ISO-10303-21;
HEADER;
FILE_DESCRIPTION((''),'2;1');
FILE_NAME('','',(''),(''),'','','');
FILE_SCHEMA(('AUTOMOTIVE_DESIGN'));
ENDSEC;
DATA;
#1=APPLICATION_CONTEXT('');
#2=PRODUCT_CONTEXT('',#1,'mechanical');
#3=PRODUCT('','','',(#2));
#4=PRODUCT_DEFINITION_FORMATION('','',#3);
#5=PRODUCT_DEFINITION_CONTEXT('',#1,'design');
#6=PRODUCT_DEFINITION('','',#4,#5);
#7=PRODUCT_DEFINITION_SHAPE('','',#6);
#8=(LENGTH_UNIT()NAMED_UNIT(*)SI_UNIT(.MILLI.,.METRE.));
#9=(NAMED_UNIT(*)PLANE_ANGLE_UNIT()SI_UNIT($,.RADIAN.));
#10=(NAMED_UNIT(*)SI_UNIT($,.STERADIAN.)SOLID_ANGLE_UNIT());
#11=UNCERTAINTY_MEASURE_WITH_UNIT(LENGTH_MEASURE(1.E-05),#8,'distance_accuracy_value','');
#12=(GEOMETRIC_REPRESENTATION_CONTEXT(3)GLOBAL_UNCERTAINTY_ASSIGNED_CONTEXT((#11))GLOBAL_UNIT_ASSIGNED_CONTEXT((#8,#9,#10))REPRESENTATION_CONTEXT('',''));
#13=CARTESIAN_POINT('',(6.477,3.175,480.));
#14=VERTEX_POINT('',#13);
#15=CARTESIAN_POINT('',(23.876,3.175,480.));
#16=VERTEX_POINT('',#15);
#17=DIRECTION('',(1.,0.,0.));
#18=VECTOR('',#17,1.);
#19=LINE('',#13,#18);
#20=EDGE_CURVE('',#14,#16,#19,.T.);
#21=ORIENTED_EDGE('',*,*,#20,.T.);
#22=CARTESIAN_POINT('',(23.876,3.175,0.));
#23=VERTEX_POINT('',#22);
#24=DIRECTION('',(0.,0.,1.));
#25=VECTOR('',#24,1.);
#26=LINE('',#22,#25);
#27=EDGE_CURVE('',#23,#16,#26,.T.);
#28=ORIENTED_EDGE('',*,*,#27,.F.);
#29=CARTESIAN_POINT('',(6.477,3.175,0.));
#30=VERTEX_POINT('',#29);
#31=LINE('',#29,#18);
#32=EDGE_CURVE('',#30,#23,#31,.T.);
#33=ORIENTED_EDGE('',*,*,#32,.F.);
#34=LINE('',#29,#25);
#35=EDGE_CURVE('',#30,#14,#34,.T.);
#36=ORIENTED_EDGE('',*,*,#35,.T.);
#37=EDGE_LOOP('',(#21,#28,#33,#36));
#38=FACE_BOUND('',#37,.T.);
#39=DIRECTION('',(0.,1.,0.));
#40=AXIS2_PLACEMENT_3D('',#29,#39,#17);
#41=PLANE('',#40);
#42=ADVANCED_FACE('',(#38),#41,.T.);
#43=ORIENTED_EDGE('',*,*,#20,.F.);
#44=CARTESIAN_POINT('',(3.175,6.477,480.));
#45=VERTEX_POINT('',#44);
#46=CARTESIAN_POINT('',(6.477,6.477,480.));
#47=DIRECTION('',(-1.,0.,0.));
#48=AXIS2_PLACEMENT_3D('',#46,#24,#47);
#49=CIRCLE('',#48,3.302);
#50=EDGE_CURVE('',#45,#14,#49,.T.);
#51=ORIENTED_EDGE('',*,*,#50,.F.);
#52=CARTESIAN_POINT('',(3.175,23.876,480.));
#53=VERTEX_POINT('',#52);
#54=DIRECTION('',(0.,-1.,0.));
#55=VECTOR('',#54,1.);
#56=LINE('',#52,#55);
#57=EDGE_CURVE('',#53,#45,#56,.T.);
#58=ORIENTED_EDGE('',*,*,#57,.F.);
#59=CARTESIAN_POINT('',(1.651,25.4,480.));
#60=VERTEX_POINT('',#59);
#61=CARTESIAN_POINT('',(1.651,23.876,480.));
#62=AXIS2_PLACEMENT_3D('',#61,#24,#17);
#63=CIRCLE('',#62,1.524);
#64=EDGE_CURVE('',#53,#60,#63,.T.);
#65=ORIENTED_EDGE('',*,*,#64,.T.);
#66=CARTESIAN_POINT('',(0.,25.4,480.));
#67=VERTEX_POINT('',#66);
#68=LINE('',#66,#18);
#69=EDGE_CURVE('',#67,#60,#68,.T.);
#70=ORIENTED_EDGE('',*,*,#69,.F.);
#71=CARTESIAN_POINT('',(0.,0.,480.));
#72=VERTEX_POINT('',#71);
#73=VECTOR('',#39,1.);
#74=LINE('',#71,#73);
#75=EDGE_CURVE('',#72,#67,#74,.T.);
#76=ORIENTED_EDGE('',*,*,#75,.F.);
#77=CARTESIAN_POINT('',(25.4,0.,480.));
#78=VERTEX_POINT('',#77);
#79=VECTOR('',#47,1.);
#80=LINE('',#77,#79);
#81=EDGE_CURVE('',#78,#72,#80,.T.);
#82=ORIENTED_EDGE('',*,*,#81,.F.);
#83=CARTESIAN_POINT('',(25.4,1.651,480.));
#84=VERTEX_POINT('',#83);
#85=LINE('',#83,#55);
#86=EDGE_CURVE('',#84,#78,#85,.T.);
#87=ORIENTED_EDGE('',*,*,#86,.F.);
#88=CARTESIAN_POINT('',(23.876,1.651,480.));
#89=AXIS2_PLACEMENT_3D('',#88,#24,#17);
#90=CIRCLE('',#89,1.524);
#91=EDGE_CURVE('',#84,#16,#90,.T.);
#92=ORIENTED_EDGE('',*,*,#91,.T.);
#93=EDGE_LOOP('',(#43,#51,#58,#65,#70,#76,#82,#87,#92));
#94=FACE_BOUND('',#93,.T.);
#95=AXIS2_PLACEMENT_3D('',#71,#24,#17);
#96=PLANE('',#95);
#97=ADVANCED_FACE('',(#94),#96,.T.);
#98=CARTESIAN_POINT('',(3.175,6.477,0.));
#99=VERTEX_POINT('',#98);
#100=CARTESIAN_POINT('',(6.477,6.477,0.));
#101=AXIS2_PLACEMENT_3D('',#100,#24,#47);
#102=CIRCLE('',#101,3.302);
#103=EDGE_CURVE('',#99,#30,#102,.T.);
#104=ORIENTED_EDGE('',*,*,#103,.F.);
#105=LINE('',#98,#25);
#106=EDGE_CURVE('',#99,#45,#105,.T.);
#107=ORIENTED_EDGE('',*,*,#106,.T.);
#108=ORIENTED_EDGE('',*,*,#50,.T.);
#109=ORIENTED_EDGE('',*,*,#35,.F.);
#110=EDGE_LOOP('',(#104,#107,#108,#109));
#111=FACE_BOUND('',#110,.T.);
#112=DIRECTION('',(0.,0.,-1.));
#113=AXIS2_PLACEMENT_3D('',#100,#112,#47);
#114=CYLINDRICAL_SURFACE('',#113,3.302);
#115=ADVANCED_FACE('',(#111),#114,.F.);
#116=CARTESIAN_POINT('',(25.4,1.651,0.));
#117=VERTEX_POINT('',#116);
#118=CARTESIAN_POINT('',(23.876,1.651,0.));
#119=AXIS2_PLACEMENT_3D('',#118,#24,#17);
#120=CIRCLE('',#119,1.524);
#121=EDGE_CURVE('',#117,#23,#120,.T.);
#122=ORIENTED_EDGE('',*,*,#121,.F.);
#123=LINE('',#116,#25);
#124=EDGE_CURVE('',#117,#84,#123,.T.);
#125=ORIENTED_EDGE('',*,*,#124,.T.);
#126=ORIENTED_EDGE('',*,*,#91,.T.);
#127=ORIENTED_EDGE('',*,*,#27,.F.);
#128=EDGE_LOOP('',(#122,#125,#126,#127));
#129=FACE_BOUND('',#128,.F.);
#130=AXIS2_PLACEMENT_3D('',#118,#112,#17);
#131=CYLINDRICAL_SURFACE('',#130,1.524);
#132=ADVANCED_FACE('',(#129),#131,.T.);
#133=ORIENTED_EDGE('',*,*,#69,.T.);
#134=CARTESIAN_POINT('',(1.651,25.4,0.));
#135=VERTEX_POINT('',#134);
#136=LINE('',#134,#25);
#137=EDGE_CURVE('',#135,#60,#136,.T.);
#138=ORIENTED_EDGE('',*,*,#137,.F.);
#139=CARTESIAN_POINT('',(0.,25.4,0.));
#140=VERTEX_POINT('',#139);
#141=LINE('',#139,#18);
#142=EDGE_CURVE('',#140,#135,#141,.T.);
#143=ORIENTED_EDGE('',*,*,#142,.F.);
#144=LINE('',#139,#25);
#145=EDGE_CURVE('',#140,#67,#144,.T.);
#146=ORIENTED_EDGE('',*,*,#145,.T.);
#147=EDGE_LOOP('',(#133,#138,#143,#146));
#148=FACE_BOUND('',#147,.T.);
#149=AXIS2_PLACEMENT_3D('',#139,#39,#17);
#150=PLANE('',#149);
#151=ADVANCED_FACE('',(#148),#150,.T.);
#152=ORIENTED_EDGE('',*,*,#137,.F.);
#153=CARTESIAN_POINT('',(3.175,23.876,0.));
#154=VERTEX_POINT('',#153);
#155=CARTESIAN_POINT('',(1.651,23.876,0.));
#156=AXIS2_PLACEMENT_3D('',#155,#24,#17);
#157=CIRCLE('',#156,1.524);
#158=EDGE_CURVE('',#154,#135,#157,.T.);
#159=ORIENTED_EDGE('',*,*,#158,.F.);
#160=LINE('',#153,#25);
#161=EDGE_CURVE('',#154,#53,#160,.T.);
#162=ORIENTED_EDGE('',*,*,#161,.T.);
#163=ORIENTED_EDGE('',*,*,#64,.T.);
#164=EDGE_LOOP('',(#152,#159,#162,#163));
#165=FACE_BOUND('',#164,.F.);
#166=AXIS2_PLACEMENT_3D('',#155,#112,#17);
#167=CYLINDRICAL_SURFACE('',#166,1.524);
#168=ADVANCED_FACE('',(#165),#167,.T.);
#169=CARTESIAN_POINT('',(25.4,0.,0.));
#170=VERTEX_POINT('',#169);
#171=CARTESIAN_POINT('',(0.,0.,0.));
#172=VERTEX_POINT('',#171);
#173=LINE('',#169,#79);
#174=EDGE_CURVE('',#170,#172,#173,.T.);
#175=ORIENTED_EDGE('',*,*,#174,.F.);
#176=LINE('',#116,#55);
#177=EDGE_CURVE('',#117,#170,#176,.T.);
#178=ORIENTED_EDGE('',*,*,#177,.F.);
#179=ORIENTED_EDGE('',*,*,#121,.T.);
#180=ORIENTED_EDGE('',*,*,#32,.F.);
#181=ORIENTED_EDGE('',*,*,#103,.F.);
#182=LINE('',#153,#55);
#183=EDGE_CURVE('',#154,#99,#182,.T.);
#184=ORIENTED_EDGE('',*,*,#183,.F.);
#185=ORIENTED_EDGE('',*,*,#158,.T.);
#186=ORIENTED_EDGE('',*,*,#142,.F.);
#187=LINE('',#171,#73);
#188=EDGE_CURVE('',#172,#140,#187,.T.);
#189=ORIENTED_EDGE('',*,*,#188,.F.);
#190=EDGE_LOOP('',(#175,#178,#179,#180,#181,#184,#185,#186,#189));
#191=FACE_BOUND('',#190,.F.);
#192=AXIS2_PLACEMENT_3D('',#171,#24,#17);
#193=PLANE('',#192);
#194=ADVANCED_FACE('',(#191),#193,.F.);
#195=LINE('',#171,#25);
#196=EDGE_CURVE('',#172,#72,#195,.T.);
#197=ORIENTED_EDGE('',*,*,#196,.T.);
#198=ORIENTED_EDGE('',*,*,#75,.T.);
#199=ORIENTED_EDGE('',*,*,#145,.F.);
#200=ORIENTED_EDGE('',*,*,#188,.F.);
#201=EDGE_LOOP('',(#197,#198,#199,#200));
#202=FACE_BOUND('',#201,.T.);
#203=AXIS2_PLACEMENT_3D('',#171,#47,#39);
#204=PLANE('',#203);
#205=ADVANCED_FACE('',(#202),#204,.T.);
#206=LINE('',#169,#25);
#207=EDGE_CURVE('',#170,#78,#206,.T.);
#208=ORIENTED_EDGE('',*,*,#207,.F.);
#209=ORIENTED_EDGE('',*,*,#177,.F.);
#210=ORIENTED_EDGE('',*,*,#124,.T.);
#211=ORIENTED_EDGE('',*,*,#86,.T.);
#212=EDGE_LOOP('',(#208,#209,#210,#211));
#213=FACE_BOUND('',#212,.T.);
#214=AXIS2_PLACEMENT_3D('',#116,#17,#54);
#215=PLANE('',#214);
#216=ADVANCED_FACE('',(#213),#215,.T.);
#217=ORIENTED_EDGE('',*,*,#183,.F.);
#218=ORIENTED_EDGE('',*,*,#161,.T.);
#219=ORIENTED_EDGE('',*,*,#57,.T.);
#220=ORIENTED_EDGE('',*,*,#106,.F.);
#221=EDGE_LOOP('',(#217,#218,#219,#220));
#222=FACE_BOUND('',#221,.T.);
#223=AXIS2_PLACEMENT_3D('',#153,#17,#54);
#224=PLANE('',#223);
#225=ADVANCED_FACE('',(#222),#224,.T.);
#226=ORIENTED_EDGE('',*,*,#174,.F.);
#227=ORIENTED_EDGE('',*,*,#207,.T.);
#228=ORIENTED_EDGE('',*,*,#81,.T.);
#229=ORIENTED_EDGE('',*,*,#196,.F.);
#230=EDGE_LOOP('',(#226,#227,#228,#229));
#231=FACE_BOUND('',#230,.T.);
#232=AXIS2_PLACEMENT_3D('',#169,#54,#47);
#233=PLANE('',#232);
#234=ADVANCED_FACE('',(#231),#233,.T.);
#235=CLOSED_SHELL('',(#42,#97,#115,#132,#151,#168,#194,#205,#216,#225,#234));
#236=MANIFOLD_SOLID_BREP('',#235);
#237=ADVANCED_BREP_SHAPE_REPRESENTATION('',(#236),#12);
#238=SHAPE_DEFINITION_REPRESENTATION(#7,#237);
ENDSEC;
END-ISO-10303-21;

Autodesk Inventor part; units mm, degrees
ref_plane "YZ Plane" through (0, 0, 0) normal (1, 0, 0) x (0, 1, 0)
ref_plane "Start Plane" through (0, 0, 0) normal (0, 0, 1) x (1, 0, 0)
ref_plane "End Plane" through (0, 0, 480) normal (0, 0, 1) x (1, 0, 0)
sketch "Sketch" plane through (0, 0, 0) normal (0, 0, 1) x (1, 0, 0)
  line L0 (25.4, 0) -> (0, 0)
  line L1 (0, 0) -> (0, 25.4)
  line L2 (0, 25.4) -> (1.651, 25.4)
  line L3 (3.175, 23.876) -> (3.175, 6.477)
  line L4 (6.477, 3.175) -> (23.876, 3.175)
  line L5 (25.4, 1.651) -> (25.4, 0)
  line L6 (0, -11.0414) -> (0, 31.5385) construction
  line L7 (-11.0414, 0) -> (31.5385, 0) construction
  arc A0 (3.175, 6.477) -> (6.477, 3.175) centre (6.477, 6.477) ccw
  arc A1 (3.175, 23.876) -> (1.651, 25.4) centre (1.651, 23.876) ccw
  arc A2 (25.4, 1.651) -> (23.876, 3.175) centre (23.876, 1.651) ccw
  line L8 (0, 40.0545) -> (0, -19.5574) construction
  line L9 (-19.5574, 0) -> (40.0545, 0) construction
  point P0 (3.175, 25.4)
  point P1 (3.175, 3.175)
  point P2 (25.4, 3.175)
  dimension "d0" = 25.4
  dimension "d1" = 25.4
  dimension "d2" = 3.175
  dimension "d3" = 3.175
  dimension "d10" = 0
  dimension "d11" = 0
  dimension "d14" = 3.302
  dimension "d15" = 1.524
extrude "Body" add sketch "Sketch" along normal up to surface (480 mm away) from surface at 0
sketch "Sketch3" plane through (0, 0, 0) normal (0, 0, 1) x (1, 0, 0)
  line L0 (0, 0) -> (10, 0)
ref_plane "Work Plane3" through (0, 0, 0) normal (0, -1, 0) x (1, 0, 0)
sketch "Sketch4" plane through (0, 0, 0) normal (0, -1, 0) x (1, 0, 0)
  line L0 (-2, 0) -> (12, 0) projected
  line L1 (-2, 480) -> (12, 480) projected
  dimension "d17" = 480
equation "\"d0\" = G_H"
equation "\"d1\" = G_H"
equation "\"d2\" = G_T"
equation "\"d3\" = G_T"
equation "\"d14\" = G_IR"
equation "\"d15\" = G_ER"
equation "\"d4\" = G_L"
equation "\"G_H\" = 25.4"
equation "\"G_T\" = 3.175"
equation "\"G_ER\" = 1.524"
equation "\"G_IR\" = 3.302"
equation "\"G_L\" = d17"
equation "\"ex\" = 0"
equation "\"G_OFFSET_START\" = 0"
equation "\"G_OFFSET_END\" = 0"
equation "\"d13\" = G_OFFSET_END + B_L"
equation "\"B_L\" = 480"
properties part number "AISC - L 1 x 1 x 1/8 - 18.898" material "Steel, Mild"
